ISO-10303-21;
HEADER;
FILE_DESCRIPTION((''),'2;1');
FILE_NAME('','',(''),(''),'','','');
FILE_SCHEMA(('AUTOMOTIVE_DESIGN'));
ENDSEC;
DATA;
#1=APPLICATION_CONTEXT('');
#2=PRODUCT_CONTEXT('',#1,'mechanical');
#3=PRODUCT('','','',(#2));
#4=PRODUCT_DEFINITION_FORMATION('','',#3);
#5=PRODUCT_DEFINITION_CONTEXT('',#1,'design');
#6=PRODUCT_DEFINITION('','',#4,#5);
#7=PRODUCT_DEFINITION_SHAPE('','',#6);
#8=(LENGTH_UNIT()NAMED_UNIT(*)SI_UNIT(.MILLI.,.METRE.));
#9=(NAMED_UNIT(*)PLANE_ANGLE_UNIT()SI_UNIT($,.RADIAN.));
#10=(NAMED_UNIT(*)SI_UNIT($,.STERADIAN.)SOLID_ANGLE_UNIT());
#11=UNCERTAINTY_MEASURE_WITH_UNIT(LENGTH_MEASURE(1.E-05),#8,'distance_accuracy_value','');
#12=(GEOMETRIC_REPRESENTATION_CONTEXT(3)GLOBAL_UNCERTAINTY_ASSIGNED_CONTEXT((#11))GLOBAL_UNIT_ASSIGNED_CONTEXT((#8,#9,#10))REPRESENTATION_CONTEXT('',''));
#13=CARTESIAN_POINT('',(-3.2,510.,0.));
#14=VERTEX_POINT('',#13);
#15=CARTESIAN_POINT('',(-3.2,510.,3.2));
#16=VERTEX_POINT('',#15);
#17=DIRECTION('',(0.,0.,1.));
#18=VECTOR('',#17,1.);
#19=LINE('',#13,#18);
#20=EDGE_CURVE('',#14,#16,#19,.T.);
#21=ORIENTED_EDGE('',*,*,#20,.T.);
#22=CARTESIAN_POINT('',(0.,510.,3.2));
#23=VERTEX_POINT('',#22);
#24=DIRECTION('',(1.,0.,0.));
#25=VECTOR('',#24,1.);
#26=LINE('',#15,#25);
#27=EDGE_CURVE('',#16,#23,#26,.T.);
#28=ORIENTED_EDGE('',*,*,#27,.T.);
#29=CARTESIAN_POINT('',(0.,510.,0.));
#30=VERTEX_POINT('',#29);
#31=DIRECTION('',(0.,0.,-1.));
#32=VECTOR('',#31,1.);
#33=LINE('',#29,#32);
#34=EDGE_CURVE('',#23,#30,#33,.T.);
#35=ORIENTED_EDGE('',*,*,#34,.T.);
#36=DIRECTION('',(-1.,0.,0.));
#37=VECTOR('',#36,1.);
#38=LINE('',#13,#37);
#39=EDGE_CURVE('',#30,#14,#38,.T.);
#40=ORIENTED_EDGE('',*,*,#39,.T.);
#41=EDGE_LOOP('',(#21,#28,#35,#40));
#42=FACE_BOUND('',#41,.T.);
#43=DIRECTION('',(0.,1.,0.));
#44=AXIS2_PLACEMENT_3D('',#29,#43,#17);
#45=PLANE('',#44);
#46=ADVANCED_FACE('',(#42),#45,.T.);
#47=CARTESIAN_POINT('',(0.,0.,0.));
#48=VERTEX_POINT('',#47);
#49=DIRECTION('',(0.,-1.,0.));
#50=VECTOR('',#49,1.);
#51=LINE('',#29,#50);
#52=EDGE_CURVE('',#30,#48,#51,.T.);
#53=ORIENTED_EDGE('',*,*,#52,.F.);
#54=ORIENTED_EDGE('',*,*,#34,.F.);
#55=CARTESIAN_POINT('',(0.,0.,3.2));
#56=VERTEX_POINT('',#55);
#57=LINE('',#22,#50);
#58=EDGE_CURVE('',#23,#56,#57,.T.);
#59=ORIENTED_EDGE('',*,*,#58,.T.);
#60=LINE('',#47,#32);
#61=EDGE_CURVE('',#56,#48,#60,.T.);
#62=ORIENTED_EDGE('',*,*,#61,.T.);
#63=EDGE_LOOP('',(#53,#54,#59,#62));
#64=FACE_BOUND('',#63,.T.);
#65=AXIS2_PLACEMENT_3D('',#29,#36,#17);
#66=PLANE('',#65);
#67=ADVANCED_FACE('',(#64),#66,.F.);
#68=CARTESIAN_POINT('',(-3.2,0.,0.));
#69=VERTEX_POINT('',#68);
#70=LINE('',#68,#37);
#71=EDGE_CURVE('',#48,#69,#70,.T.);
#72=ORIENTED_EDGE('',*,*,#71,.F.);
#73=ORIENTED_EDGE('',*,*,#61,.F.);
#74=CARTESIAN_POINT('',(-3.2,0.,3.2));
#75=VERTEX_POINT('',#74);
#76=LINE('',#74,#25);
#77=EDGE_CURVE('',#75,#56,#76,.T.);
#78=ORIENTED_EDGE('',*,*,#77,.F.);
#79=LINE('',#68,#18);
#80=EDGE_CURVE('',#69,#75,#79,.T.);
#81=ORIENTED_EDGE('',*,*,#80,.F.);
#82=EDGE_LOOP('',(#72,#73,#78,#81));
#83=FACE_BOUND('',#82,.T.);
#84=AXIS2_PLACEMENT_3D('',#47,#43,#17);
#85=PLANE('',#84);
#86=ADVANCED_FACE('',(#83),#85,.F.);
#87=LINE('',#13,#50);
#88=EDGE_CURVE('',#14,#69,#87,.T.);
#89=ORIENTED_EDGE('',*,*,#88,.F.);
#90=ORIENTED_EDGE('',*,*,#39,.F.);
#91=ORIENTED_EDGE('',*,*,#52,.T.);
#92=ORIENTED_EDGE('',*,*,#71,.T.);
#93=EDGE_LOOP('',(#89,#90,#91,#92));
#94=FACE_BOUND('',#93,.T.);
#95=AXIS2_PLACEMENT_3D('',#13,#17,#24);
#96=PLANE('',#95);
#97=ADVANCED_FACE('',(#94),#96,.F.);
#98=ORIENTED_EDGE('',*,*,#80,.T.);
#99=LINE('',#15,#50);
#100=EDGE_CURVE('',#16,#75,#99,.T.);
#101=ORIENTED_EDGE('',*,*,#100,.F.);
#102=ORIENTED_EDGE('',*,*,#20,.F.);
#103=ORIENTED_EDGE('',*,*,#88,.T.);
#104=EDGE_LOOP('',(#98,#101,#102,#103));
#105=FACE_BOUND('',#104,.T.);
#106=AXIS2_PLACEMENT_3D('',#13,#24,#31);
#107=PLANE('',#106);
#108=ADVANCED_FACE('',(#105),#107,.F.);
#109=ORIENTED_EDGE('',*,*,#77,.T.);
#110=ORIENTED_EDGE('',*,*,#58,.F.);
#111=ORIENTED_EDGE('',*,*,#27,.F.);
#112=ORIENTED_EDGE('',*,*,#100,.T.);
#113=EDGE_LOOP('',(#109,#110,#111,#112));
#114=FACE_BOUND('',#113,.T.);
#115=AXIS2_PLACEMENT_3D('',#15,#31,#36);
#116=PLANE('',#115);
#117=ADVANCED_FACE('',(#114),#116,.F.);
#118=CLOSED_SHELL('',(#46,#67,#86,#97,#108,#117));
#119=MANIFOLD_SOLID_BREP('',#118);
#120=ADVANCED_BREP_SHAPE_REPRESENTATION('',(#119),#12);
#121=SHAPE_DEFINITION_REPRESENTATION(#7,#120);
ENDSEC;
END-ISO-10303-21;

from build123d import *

# Parameters (mm, degrees)
SKETCH1_W           = 3.2
SKETCH1_H           = 3.2
BOSS_EXTRUDE2_DEPTH = 510


with BuildPart() as part:
    # Sketch1 → Boss-Extrude2 (new body)
    with BuildSketch(Plane(origin=(0, 0, 0), x_dir=(1, 0, 0), z_dir=(0, 1, 0))):
        with Locations((-1.6, -1.6)):
            Rectangle(SKETCH1_W, SKETCH1_H)
    extrude(amount=BOSS_EXTRUDE2_DEPTH)


solid = part.part
